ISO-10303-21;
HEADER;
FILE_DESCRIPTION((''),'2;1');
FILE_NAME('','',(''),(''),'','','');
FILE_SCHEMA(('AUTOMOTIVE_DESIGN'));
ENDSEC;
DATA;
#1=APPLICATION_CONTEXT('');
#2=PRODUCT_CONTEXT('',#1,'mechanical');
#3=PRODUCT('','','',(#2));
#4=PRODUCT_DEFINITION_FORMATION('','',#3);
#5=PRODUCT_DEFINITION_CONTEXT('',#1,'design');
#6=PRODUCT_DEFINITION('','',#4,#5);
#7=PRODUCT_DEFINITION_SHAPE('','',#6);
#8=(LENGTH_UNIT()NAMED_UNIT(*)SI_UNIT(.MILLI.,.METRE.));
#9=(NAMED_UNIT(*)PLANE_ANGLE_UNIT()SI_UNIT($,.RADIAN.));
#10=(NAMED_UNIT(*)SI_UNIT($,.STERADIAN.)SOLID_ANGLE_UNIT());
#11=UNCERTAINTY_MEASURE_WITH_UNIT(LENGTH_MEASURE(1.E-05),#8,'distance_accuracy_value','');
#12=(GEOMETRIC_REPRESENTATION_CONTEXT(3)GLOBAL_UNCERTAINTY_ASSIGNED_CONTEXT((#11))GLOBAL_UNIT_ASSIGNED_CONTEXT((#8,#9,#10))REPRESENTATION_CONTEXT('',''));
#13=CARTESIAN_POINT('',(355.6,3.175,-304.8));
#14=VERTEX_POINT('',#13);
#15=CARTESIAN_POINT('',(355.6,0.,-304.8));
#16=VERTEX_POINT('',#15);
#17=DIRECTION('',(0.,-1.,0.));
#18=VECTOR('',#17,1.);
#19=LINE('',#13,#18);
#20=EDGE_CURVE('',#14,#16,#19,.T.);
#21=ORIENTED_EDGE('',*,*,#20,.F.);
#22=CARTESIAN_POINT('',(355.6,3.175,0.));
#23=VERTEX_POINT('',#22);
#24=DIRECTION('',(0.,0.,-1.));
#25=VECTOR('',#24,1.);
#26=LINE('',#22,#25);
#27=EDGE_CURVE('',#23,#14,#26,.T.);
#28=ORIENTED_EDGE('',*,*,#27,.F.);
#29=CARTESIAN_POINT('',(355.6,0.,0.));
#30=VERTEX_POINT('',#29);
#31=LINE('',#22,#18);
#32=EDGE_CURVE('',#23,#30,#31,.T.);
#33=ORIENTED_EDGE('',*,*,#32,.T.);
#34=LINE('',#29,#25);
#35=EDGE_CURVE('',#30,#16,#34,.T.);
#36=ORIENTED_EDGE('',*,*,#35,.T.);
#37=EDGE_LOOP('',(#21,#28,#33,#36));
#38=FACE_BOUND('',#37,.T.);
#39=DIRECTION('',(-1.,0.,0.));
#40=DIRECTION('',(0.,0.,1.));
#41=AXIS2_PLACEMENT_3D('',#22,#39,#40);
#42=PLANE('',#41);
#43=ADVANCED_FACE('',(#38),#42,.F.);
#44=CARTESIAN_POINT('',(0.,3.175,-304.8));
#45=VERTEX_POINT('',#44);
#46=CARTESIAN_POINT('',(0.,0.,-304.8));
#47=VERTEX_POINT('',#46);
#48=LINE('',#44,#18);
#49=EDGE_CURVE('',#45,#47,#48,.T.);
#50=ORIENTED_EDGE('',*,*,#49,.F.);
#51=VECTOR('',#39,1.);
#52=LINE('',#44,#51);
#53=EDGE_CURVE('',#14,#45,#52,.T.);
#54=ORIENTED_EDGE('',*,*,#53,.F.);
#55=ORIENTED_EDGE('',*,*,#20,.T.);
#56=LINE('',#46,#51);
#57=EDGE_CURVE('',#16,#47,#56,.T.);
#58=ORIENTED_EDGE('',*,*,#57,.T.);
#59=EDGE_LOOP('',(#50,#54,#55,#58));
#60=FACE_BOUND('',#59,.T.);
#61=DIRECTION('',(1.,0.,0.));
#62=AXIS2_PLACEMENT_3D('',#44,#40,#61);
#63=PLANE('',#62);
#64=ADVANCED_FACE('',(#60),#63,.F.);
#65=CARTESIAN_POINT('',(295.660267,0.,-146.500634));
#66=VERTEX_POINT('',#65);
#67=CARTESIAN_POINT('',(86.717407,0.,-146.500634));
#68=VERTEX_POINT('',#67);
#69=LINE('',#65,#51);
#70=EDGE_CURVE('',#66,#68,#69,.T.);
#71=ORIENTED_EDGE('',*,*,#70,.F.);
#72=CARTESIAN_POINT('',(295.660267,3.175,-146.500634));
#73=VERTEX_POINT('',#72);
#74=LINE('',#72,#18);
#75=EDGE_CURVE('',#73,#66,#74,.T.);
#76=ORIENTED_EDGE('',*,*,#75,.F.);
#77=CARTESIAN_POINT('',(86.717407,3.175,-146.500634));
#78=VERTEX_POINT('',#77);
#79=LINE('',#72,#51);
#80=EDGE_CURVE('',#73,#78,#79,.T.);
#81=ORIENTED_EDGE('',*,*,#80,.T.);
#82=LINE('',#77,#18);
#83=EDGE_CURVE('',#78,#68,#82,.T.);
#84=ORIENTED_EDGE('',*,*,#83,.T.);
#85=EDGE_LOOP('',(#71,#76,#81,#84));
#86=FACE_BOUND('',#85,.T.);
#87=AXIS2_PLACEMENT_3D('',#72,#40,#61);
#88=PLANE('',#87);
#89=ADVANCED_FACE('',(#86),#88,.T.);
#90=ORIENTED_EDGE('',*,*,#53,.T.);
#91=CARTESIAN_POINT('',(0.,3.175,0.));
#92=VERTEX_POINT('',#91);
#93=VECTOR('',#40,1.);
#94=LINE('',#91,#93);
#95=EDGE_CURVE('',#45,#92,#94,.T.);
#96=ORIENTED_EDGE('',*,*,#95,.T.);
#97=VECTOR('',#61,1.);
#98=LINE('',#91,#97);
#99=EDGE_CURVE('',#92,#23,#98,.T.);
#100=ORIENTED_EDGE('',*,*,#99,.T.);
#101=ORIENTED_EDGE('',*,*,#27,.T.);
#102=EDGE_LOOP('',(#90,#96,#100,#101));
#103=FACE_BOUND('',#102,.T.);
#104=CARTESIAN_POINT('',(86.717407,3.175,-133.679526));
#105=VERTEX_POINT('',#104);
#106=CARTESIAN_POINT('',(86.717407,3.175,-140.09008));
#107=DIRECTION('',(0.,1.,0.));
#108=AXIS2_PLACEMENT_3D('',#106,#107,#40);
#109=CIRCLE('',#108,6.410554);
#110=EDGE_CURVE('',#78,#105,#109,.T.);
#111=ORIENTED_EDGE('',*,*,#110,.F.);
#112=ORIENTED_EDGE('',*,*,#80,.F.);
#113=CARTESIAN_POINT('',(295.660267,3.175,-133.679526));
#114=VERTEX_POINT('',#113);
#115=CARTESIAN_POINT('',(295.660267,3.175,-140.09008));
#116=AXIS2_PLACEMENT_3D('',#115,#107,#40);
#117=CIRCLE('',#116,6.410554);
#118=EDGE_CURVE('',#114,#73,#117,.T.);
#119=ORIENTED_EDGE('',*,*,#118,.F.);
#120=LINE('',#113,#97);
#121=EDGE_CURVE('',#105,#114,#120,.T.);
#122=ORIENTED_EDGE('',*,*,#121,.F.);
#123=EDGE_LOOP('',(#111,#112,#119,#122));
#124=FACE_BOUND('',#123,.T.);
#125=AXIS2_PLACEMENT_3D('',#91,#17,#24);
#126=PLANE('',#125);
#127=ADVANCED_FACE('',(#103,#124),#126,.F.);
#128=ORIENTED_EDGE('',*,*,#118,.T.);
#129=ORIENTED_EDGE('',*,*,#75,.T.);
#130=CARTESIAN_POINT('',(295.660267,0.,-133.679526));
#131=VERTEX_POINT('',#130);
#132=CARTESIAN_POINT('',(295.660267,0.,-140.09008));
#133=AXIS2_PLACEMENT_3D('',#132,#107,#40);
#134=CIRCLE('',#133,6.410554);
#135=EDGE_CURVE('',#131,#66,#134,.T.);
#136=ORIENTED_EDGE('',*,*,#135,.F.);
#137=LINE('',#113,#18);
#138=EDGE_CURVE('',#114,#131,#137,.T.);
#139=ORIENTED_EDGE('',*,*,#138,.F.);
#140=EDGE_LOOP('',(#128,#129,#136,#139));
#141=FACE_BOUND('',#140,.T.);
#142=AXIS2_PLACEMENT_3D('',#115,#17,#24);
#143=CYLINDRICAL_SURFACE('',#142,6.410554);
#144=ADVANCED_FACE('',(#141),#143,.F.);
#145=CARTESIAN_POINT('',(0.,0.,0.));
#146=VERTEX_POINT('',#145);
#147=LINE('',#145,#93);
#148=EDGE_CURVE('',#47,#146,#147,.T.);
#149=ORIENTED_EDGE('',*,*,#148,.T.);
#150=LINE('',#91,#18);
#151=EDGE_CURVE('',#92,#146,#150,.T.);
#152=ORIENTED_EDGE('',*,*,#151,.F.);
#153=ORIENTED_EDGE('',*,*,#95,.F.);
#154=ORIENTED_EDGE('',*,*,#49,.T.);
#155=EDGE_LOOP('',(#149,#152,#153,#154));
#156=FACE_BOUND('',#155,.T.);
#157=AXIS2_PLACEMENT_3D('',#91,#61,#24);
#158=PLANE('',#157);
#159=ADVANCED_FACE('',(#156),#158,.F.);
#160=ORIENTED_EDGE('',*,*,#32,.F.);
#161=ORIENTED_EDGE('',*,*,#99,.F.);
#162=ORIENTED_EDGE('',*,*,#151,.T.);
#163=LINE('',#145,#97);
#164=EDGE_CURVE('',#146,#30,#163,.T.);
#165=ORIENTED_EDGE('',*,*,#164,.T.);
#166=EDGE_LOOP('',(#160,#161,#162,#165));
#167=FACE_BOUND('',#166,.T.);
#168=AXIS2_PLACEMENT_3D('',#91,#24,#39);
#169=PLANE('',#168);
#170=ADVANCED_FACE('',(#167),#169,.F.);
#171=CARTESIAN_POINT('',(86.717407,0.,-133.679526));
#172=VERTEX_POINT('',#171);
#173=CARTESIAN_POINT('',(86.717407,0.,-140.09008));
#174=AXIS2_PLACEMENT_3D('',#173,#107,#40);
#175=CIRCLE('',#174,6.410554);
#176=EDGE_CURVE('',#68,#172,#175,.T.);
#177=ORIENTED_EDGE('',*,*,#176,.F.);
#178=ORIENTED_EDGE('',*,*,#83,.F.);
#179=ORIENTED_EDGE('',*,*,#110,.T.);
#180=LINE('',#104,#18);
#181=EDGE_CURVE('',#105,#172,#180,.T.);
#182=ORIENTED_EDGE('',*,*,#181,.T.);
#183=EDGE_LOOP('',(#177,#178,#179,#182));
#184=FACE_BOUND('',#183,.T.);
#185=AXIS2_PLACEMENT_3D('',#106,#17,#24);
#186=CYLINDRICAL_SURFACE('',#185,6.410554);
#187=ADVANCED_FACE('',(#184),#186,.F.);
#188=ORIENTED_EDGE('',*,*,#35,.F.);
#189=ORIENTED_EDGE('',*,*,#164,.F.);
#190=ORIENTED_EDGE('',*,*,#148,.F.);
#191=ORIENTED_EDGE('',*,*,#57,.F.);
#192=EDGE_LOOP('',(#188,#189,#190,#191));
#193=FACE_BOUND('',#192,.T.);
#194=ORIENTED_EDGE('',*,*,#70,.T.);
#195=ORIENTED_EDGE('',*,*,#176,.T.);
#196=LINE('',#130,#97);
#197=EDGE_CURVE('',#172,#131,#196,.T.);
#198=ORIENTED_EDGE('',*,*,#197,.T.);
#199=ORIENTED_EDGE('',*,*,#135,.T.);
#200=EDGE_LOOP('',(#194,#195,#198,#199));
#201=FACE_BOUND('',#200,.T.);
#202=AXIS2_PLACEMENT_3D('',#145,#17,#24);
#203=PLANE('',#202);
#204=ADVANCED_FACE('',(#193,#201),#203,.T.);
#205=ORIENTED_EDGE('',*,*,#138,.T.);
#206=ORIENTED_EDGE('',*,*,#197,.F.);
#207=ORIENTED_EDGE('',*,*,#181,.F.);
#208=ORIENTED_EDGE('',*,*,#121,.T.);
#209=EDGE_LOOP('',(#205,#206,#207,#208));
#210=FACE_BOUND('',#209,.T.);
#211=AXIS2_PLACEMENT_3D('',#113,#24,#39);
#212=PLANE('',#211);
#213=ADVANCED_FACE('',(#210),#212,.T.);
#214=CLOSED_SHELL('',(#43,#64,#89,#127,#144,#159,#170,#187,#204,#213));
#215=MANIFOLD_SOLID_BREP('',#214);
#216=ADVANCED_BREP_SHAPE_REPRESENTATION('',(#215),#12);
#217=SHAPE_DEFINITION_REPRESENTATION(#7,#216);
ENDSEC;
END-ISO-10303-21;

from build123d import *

# Parameters (mm, degrees)
SKETCH1_W           = 355.6
SKETCH1_H           = 304.8
BOSS_EXTRUDE1_DEPTH = 3.175


with BuildPart() as part:
    # Sketch1 → Boss-Extrude1 (new body)
    with BuildSketch(Plane(origin=(0, 0, 0), x_dir=(1, 0, 0), z_dir=(0, 1, 0))):
        with Locations((177.8, 152.4)):
            Rectangle(SKETCH1_W, SKETCH1_H)
        with BuildLine():
            Line((295.660266998, 133.679526168), (86.717406579, 133.679526168))
            ThreePointArc((86.717406579, 133.679526168), (80.30685273, 140.090080017), (86.717406579, 146.500633866))
            Line((86.717406579, 146.500633866), (295.660266998, 146.500633866))
            ThreePointArc((295.660266998, 146.500633866), (302.070820847, 140.090080017), (295.660266998, 133.679526168))
        make_face(mode=Mode.SUBTRACT)
    extrude(amount=BOSS_EXTRUDE1_DEPTH)


solid = part.part
